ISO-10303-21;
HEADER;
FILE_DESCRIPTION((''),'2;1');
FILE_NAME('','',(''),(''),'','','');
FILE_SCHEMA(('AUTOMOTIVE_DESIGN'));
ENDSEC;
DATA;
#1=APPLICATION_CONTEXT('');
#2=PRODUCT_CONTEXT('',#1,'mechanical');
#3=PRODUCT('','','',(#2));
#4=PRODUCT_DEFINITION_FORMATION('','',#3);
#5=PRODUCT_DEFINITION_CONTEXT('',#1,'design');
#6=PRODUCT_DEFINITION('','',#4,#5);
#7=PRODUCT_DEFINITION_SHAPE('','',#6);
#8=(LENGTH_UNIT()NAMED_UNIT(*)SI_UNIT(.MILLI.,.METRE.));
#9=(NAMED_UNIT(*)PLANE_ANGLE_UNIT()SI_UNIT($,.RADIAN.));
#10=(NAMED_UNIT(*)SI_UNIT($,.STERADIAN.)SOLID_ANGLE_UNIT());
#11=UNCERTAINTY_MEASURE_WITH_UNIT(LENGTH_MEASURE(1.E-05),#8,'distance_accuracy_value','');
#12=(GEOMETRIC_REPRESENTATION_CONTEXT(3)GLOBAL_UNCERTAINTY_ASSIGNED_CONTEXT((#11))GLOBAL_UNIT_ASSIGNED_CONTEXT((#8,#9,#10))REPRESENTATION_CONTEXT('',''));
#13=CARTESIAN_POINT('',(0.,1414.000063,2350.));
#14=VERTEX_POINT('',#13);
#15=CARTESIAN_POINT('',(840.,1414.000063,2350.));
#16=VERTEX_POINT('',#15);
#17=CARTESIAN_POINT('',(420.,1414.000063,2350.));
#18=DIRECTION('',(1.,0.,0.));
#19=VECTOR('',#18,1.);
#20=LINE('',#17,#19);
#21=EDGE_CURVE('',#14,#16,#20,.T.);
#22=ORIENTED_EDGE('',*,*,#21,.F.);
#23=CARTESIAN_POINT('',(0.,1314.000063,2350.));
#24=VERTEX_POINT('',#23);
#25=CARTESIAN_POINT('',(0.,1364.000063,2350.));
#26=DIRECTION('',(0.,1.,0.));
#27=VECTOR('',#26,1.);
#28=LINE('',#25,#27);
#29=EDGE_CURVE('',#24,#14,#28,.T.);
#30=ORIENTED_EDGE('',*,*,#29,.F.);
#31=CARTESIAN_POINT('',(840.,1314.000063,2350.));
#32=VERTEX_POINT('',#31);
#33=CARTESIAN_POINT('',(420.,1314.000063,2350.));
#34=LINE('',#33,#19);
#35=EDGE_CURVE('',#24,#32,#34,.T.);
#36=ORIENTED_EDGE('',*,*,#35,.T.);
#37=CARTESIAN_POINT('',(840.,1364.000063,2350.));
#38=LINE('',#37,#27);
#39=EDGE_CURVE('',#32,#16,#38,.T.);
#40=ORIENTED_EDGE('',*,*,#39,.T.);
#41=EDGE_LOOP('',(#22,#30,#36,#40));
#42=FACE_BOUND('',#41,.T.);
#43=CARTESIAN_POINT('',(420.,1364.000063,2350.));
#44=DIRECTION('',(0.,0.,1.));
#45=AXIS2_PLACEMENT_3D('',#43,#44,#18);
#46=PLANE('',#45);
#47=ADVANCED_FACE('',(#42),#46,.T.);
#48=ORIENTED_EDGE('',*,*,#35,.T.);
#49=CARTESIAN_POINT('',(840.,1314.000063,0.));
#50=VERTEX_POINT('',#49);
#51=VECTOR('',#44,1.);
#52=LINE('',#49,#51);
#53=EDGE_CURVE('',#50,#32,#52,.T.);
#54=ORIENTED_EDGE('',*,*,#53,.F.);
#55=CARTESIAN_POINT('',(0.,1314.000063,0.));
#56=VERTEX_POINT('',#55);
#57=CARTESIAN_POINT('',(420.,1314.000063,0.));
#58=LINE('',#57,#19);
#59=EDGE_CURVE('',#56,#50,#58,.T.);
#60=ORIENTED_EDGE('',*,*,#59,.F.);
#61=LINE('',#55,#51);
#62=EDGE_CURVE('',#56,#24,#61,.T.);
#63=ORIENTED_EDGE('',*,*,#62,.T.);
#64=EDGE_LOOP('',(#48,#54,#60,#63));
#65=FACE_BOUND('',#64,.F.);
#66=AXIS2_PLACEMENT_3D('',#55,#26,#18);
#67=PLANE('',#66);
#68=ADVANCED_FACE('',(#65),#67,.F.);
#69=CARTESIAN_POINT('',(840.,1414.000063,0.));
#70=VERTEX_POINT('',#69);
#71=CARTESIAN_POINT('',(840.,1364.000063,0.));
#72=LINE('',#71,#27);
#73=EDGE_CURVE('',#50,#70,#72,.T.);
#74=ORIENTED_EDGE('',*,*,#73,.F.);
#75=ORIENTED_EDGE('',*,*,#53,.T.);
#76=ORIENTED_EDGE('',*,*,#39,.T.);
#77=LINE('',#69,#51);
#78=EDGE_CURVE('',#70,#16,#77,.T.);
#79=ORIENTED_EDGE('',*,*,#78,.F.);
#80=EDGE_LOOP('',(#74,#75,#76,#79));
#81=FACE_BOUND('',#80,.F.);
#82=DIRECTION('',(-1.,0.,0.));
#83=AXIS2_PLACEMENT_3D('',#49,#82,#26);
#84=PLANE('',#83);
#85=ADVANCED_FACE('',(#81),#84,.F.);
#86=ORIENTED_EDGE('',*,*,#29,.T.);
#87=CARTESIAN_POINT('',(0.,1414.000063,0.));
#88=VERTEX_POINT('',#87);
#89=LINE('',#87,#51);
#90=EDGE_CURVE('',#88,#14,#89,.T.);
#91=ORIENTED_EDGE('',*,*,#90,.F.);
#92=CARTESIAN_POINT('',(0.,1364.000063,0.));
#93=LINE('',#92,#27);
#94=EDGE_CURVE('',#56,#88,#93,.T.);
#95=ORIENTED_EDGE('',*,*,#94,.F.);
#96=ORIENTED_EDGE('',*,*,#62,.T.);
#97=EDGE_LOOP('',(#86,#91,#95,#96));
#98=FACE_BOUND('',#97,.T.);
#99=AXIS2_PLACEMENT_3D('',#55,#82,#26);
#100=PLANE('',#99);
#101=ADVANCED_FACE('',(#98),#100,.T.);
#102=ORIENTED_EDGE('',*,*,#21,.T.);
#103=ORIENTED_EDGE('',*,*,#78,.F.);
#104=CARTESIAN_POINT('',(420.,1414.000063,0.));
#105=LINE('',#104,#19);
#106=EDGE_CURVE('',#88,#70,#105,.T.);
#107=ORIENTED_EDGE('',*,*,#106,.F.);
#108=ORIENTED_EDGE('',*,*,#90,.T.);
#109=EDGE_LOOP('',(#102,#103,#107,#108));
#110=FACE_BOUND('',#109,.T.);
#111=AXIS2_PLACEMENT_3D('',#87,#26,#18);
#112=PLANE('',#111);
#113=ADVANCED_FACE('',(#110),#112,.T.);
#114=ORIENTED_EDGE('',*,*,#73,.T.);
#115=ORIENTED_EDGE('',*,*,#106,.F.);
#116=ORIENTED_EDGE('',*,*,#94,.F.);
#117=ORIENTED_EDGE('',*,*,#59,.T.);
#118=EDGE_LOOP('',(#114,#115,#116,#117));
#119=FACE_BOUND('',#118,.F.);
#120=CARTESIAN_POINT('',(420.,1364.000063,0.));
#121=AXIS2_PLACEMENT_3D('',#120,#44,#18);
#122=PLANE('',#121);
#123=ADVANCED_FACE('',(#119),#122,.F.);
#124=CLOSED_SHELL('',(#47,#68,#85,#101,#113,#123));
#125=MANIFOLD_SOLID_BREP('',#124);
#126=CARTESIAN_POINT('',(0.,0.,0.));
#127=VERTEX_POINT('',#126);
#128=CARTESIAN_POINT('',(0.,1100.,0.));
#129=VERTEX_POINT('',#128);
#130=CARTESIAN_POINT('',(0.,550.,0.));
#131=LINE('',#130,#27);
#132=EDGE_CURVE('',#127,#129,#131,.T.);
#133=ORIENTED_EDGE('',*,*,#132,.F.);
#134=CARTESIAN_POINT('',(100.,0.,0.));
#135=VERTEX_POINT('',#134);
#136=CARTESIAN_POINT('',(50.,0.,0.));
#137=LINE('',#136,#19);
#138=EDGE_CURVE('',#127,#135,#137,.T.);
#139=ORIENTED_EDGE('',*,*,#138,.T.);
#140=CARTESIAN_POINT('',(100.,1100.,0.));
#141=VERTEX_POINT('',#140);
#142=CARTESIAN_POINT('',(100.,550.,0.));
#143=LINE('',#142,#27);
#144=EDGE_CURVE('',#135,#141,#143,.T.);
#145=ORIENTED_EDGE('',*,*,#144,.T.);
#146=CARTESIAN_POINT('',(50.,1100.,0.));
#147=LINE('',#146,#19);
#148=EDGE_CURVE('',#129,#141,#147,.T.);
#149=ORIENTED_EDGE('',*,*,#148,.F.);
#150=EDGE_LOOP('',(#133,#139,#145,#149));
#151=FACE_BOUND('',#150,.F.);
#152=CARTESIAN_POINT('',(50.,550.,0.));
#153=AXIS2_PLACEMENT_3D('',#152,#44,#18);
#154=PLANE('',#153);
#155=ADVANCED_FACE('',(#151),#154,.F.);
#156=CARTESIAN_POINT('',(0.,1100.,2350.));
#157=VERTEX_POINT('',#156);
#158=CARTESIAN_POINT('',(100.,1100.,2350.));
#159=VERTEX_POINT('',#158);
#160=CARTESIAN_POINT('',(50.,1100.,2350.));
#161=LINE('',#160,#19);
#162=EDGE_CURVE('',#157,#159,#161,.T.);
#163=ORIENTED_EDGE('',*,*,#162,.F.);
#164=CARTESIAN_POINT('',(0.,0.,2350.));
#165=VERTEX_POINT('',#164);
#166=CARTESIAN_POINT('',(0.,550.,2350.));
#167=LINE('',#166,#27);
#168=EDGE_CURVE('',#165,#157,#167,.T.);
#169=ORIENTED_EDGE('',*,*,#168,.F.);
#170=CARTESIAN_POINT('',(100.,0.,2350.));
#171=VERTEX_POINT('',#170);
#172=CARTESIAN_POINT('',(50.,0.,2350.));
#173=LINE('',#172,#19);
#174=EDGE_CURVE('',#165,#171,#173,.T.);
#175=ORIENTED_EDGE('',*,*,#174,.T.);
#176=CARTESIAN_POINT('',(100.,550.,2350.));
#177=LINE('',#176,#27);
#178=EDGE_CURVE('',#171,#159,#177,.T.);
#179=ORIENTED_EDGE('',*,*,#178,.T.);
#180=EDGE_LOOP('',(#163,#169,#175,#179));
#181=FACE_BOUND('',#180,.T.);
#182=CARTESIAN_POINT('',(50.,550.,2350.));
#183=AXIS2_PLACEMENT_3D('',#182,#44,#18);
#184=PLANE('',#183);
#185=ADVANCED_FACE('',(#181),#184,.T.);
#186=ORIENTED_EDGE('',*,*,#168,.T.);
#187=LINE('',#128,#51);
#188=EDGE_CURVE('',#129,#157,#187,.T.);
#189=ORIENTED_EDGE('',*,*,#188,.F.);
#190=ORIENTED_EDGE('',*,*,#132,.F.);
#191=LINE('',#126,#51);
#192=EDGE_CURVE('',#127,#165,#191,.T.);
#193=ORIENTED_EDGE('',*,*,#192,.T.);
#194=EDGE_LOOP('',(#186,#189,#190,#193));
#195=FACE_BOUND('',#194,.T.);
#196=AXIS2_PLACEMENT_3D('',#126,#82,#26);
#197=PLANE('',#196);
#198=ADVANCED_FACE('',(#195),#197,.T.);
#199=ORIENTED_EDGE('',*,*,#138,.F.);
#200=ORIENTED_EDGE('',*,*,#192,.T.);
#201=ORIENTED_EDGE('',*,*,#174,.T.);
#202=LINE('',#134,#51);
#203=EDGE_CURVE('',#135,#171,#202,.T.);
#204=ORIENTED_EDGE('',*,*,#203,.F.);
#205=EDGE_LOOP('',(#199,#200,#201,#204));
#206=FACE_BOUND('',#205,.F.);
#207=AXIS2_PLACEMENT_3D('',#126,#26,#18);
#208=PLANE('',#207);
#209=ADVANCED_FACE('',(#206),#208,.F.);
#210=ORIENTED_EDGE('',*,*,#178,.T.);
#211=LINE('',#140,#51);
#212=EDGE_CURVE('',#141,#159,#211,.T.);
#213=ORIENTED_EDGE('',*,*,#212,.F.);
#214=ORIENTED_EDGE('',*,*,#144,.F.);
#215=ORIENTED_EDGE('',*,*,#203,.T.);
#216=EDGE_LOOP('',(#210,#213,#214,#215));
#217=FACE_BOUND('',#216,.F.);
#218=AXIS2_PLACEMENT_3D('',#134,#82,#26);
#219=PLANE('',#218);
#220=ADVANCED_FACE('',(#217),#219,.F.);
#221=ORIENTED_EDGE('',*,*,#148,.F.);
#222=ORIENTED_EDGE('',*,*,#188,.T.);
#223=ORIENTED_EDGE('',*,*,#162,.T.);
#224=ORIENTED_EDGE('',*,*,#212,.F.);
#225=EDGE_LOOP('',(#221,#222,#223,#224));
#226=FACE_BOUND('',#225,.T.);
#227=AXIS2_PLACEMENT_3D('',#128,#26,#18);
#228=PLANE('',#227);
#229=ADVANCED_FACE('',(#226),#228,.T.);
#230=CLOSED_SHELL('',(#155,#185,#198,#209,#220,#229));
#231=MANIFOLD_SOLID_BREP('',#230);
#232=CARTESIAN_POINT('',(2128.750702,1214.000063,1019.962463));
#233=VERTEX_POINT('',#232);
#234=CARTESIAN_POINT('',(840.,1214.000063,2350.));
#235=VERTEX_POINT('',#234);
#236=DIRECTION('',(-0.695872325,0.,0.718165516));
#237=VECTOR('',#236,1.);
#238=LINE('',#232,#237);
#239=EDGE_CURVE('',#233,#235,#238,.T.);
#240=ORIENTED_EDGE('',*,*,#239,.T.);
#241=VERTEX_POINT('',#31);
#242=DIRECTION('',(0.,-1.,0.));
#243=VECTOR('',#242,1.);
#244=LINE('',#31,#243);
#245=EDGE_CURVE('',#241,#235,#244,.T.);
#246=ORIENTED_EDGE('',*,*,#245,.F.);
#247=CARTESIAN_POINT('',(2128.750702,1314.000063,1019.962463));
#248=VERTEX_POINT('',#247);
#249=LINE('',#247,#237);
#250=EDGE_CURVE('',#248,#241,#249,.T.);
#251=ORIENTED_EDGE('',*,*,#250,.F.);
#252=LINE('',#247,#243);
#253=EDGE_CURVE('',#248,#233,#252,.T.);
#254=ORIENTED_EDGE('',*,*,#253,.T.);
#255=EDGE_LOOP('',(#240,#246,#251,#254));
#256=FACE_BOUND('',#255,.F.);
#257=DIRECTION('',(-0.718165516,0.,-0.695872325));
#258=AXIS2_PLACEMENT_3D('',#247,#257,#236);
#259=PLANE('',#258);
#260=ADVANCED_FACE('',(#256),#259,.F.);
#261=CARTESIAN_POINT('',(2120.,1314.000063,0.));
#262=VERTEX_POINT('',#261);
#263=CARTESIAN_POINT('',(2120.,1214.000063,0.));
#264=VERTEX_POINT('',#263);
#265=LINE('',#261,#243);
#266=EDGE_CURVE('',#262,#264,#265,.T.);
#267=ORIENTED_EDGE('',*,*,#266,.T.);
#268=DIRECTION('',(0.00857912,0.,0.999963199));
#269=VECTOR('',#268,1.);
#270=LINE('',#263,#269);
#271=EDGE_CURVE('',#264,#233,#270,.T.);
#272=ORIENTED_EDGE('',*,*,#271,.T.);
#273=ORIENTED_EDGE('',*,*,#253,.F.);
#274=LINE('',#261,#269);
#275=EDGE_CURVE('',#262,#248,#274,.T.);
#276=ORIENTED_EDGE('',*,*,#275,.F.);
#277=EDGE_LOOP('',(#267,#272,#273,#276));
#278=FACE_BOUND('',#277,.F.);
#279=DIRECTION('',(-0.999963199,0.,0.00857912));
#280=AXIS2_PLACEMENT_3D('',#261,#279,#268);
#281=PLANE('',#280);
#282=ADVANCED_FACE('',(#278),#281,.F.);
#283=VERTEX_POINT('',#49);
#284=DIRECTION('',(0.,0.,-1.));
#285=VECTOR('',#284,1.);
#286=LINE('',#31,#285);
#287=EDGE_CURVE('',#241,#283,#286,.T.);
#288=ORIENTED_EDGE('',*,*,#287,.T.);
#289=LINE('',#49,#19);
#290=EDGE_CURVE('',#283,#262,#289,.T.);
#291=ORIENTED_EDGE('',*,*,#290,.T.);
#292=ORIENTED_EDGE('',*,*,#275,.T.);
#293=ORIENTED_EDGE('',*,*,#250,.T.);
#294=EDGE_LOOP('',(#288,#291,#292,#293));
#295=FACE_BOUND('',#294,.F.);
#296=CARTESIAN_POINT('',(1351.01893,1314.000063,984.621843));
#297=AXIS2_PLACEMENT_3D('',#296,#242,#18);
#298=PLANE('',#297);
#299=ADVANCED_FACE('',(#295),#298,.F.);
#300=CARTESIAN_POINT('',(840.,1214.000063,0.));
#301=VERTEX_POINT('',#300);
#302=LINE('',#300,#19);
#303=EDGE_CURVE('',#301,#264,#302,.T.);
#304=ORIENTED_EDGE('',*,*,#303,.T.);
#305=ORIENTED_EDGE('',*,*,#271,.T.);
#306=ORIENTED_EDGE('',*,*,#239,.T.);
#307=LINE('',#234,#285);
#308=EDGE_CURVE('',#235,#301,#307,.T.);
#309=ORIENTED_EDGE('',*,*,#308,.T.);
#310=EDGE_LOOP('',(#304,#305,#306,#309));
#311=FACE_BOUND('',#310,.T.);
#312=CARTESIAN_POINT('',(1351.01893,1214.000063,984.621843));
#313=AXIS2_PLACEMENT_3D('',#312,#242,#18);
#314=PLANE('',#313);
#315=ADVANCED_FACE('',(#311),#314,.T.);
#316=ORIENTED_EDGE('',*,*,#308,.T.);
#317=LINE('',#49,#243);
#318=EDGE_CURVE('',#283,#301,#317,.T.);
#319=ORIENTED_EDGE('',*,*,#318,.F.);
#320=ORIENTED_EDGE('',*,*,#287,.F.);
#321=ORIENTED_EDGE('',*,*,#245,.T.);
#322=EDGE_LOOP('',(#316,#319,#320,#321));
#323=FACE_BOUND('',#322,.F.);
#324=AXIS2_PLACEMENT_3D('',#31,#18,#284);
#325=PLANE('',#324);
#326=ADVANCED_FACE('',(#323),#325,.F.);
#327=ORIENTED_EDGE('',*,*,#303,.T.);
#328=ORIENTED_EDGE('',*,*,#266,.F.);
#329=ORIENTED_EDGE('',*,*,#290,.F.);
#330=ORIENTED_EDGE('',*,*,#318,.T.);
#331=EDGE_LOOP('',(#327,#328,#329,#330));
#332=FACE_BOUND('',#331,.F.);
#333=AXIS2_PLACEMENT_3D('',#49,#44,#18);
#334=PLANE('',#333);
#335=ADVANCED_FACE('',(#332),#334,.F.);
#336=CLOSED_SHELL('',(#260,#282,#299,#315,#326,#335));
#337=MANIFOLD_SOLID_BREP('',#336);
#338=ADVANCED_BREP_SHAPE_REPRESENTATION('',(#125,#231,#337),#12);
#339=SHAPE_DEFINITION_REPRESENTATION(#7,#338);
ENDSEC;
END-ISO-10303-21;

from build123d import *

# Parameters (mm, degrees)
F0_W     = 100
F0_H     = 1100
F1_DEPTH = 2350
F2_W     = 840
F2_H     = 100
F3_DEPTH = 2350
F5_DEPTH = 100


with BuildPart() as f1:
    # F0 (on Top) → F1 (new body)
    with BuildSketch(Plane.XY):
        with Locations((50, 550)):
            Rectangle(F0_W, F0_H)
    extrude(amount=F1_DEPTH)


with BuildPart() as f3:
    # F2 (on Top) → F3 (new body)
    with BuildSketch(Plane.XY):
        with Locations((420, 1364.000063)):
            Rectangle(F2_W, F2_H)
    extrude(amount=F3_DEPTH)


with BuildPart() as f5:
    # F4 (on face) → F5 (new body)
    with BuildSketch(Plane.XZ.offset(-1314.000063)):
        Polygon((2128.750702, 1019.962463), (840, 2350), (840, 0), (2120, 0), align=None)
    extrude(amount=F5_DEPTH)


solid = Compound([f1.part, f3.part, f5.part])
